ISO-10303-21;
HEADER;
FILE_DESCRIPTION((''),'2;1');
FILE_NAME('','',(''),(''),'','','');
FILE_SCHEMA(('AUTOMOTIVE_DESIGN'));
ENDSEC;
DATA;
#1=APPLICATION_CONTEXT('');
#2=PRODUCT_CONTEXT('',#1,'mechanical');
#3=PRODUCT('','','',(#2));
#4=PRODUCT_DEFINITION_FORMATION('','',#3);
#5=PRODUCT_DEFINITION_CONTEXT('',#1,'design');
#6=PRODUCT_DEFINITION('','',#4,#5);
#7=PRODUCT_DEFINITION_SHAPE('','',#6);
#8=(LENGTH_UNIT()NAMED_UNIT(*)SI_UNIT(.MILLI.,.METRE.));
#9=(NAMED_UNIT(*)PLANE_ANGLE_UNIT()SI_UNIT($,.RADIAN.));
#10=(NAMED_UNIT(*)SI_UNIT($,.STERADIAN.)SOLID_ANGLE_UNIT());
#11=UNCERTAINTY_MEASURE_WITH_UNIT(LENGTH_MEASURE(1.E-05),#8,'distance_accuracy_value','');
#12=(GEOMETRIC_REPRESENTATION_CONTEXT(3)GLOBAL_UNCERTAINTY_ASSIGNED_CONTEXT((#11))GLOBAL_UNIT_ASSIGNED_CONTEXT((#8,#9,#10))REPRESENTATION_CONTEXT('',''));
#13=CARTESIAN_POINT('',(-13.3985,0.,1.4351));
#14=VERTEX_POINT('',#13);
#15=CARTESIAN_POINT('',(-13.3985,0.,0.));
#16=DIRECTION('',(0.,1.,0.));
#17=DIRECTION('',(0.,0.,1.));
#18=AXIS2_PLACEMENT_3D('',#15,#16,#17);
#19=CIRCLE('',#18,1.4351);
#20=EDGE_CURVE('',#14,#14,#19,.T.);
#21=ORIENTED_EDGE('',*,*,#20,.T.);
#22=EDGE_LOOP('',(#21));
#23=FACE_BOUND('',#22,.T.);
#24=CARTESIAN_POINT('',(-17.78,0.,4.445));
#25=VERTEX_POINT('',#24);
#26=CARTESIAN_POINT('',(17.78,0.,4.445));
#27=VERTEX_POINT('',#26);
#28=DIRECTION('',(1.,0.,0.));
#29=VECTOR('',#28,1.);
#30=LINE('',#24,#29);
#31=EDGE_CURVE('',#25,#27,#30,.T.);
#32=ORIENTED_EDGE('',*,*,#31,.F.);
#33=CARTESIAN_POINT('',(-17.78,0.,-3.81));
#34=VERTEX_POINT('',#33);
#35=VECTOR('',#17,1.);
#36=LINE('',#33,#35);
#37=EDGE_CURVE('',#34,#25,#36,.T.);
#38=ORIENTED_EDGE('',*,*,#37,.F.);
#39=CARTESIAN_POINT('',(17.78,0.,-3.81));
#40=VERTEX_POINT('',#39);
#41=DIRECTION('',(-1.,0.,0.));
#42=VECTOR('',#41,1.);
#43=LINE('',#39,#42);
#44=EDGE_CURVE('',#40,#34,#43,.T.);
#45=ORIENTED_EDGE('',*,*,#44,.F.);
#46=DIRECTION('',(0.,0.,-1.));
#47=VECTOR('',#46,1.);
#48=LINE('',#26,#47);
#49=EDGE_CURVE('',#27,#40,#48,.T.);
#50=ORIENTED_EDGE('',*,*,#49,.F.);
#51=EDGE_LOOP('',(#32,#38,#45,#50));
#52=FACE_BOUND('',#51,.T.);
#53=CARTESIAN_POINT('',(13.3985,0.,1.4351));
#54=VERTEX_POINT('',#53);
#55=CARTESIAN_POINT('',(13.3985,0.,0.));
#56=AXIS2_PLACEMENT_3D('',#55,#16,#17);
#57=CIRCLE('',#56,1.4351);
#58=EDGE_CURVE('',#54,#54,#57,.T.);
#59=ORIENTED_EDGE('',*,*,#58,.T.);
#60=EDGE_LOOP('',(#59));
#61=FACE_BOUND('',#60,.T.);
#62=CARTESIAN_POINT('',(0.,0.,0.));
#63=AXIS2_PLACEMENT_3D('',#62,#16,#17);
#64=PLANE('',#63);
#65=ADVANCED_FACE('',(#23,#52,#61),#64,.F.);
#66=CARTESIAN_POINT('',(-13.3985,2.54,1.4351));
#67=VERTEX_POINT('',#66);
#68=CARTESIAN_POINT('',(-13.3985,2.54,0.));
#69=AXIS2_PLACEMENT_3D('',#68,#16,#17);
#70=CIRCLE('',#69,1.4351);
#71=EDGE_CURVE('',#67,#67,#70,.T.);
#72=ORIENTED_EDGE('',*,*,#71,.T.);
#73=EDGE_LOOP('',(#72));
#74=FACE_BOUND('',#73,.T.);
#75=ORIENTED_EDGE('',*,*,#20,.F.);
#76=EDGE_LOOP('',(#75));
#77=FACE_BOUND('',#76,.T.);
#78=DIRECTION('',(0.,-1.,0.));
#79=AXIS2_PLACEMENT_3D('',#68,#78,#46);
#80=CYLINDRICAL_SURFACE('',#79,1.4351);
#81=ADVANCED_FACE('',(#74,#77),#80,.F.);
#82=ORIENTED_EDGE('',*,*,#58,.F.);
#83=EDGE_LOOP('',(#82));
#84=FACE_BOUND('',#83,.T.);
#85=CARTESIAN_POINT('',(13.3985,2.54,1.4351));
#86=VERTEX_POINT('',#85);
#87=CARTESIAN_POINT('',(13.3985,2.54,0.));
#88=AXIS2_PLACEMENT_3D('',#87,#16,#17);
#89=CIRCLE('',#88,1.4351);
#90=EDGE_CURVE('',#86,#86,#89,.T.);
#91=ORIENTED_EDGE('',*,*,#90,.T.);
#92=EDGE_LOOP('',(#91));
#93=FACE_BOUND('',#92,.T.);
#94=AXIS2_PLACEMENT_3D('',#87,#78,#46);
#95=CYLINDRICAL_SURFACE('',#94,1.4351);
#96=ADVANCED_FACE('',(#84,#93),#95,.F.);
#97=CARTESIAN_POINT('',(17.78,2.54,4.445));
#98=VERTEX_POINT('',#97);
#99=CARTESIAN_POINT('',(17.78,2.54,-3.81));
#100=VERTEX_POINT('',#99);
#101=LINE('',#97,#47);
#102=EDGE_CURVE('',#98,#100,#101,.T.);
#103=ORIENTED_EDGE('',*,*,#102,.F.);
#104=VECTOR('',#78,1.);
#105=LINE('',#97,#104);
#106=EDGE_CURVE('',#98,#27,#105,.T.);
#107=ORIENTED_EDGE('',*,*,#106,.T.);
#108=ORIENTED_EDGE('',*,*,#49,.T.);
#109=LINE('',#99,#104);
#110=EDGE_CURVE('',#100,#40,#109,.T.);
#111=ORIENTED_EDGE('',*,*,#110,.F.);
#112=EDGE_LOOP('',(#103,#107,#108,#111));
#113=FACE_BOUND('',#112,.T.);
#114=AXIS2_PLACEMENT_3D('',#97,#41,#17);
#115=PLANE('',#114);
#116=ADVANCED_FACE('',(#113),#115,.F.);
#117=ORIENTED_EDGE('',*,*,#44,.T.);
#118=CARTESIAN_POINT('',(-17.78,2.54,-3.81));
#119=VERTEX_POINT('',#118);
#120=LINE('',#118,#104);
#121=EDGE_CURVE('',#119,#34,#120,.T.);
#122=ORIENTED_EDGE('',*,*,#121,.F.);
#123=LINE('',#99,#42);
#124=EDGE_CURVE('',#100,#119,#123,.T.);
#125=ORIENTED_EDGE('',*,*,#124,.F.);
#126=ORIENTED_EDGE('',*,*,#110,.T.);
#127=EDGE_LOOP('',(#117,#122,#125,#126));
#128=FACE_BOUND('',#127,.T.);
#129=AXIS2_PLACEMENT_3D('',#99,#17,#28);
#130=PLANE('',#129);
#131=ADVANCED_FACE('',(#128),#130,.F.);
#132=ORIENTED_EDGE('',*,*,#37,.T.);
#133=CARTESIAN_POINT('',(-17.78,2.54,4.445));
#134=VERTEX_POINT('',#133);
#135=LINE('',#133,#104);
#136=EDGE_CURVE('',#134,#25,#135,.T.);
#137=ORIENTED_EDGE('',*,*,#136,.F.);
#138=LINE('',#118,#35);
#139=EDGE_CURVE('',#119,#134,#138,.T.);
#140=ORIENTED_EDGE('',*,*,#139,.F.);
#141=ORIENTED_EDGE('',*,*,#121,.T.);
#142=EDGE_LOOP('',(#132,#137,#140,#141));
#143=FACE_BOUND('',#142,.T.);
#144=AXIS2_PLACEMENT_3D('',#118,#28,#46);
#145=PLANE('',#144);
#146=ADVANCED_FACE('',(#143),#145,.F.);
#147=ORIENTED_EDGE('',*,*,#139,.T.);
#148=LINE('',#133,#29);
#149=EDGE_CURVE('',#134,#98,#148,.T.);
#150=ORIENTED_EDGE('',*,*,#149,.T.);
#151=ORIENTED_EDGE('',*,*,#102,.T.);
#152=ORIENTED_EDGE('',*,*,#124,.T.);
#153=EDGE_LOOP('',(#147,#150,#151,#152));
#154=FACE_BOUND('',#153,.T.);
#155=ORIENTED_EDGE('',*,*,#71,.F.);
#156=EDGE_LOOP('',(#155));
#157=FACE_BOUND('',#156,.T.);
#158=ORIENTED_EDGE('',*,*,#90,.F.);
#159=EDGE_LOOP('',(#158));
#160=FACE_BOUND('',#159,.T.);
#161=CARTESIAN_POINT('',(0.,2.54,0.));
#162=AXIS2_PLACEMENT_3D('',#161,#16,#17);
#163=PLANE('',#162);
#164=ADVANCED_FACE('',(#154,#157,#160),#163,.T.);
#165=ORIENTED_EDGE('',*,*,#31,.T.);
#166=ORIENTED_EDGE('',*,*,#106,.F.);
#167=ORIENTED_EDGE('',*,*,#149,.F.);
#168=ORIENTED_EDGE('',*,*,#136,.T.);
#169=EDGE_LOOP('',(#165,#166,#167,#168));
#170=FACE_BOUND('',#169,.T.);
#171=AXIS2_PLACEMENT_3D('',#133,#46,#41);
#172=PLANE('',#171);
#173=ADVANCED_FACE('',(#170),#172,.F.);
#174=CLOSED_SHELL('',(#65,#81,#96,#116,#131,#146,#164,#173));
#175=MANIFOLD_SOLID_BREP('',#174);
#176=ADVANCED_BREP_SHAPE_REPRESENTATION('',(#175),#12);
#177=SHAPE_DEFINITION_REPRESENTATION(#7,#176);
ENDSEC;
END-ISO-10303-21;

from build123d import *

# Parameters (mm, degrees)
SKETCH1_W           = 35.56
SKETCH1_H           = 8.255
SKETCH1_R           = 1.4351
BOSS_EXTRUDE1_DEPTH = 2.54


with BuildPart() as part:
    # Sketch1 → Boss-Extrude1 (new body)
    with BuildSketch(Plane(origin=(0, 0, 0), x_dir=(1, 0, 0), z_dir=(0, 1, 0))):
        with Locations((0, -0.3175)):
            Rectangle(SKETCH1_W, SKETCH1_H)
        with Locations(Location((-13.3985, 0, 0), (0, 0, 270))):
            Circle(SKETCH1_R, mode=Mode.SUBTRACT)
        with Locations(Location((13.3985, 0, 0), (0, 0, 270))):
            Circle(SKETCH1_R, mode=Mode.SUBTRACT)
    extrude(amount=BOSS_EXTRUDE1_DEPTH)


solid = part.part
